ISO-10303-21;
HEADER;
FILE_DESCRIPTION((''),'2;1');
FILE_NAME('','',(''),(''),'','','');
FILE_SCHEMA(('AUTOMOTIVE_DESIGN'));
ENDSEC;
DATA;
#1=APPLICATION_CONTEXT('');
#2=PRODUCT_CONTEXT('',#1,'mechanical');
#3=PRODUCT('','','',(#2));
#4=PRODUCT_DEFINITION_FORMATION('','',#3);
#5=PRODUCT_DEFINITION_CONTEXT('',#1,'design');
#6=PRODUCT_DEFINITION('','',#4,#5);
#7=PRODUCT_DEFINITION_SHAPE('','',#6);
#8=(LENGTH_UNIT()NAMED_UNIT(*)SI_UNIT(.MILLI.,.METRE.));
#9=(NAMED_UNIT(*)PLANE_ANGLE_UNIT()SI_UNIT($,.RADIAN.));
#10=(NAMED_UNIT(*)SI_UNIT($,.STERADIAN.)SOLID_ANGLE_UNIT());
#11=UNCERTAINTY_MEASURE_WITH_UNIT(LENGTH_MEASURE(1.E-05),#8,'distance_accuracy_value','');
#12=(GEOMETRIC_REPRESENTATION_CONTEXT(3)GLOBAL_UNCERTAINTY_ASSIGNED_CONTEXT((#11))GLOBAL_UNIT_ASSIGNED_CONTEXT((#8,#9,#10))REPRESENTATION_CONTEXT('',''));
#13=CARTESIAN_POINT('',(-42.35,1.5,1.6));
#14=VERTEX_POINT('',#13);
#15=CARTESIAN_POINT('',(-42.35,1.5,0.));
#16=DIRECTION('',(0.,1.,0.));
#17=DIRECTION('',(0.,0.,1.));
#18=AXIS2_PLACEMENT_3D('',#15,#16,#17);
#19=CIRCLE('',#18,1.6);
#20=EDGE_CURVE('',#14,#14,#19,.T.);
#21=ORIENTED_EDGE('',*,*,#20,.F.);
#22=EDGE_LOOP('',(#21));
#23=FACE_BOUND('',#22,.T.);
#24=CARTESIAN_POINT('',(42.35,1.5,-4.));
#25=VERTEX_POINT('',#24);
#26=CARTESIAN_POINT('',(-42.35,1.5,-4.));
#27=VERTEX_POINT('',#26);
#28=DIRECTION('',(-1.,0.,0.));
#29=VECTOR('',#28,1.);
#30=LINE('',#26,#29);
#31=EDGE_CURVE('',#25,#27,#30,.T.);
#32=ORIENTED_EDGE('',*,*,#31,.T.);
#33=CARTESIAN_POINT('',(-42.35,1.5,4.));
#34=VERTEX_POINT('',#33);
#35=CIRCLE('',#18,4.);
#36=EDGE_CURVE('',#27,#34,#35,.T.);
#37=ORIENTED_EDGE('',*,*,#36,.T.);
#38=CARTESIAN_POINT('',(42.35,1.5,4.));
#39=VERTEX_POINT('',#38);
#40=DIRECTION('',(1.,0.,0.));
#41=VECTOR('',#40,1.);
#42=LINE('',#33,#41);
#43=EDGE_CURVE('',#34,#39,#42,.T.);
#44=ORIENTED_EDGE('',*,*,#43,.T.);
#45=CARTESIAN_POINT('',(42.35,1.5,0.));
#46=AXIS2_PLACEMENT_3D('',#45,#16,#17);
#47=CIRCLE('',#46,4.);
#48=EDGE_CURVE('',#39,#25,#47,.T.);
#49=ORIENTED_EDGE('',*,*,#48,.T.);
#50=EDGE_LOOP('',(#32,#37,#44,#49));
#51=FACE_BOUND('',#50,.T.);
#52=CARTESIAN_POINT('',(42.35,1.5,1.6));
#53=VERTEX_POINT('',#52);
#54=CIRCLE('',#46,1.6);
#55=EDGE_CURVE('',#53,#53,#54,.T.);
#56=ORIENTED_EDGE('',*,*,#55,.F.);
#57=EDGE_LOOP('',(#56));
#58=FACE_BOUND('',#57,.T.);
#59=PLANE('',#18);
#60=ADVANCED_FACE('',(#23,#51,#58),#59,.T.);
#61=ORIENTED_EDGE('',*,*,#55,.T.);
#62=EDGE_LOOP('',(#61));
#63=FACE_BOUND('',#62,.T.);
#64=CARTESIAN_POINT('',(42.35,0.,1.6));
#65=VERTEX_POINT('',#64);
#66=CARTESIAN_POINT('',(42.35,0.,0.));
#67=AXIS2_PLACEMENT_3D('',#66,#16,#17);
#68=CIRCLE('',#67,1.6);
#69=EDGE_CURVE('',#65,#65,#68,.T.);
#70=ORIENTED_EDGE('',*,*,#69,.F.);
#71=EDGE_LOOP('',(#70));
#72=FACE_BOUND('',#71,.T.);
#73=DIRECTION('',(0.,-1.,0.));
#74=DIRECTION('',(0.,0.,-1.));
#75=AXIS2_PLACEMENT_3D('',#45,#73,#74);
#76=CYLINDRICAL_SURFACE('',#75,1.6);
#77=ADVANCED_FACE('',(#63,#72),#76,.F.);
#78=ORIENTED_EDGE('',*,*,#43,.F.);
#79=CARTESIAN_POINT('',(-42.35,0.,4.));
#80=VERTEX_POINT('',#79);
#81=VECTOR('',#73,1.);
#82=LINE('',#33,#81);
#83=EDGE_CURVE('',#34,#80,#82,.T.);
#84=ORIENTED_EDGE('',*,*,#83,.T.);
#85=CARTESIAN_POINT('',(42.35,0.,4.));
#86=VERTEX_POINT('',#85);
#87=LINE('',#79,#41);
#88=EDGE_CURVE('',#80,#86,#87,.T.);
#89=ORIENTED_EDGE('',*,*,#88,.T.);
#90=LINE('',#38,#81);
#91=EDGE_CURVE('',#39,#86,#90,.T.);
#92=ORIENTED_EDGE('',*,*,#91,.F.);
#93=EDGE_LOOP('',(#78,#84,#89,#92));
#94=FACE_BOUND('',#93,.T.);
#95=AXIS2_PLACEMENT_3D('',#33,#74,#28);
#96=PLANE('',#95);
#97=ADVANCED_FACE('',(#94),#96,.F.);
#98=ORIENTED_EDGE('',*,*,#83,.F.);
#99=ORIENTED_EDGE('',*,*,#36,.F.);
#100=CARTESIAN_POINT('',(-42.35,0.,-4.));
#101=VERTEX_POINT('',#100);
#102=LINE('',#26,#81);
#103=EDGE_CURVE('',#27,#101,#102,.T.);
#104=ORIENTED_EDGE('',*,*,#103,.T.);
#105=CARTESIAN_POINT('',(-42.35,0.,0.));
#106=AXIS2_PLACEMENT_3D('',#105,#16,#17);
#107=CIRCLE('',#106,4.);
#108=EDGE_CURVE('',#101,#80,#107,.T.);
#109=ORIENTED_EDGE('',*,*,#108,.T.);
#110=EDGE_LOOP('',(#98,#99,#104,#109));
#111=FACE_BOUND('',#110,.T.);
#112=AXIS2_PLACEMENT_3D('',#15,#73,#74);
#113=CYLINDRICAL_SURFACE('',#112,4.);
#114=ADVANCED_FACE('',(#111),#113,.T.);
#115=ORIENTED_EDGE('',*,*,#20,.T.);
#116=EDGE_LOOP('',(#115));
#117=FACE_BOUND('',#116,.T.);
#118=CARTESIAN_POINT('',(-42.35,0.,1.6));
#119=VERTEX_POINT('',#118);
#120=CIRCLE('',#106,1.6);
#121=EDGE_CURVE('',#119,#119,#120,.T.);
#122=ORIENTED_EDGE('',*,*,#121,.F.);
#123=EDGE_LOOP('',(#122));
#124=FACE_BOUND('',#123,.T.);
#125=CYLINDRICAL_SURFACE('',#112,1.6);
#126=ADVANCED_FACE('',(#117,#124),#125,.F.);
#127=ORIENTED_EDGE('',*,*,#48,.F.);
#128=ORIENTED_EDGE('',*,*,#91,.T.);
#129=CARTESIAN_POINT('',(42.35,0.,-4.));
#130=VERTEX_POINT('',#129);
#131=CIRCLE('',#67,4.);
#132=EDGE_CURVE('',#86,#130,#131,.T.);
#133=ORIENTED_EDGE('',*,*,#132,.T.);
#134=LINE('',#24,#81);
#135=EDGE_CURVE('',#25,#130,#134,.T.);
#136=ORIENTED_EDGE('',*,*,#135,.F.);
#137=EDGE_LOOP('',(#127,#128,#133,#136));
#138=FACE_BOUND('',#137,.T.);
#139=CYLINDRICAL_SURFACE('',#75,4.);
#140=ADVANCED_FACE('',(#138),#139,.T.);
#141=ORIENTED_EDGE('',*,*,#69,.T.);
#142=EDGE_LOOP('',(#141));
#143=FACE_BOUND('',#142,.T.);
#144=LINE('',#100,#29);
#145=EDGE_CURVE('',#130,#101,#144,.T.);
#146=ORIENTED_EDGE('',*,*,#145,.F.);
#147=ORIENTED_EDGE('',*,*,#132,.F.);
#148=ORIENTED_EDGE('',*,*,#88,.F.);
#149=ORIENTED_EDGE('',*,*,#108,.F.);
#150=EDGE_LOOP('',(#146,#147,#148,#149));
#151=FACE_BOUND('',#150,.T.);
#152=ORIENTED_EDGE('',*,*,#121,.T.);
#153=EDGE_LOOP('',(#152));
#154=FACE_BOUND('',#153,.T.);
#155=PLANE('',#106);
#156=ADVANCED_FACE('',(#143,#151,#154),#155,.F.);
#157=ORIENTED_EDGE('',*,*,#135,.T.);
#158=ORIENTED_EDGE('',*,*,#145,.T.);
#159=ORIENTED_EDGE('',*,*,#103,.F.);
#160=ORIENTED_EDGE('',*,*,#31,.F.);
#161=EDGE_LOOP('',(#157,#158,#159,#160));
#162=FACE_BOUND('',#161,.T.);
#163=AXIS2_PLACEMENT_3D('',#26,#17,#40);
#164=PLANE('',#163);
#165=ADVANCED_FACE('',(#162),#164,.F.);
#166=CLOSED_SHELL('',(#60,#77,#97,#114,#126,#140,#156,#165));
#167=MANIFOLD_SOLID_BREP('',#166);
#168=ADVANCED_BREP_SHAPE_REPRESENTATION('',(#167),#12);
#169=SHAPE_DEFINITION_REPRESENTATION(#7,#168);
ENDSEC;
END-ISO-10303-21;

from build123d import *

# Parameters (mm, degrees)
SKETCH1_R           = 1.6
BOSS_EXTRUDE1_DEPTH = 1.5


with BuildPart() as part:
    # Sketch1 → Boss-Extrude1 (new body)
    with BuildSketch(Plane(origin=(0, 0, 0), x_dir=(1, 0, 0), z_dir=(0, 1, 0))):
        with BuildLine():
            Line((-42.35, 4), (42.35, 4))
            ThreePointArc((42.35, 4), (46.35, 0), (42.35, -4))
            Line((42.35, -4), (-42.35, -4))
            ThreePointArc((-42.35, -4), (-46.35, 0), (-42.35, 4))
        make_face()
        with Locations(Location((-42.35, 0, 0), (0, 0, 270))):
            Circle(SKETCH1_R, mode=Mode.SUBTRACT)
        with Locations(Location((42.35, 0, 0), (0, 0, 270))):
            Circle(SKETCH1_R, mode=Mode.SUBTRACT)
    extrude(amount=BOSS_EXTRUDE1_DEPTH)


solid = part.part
